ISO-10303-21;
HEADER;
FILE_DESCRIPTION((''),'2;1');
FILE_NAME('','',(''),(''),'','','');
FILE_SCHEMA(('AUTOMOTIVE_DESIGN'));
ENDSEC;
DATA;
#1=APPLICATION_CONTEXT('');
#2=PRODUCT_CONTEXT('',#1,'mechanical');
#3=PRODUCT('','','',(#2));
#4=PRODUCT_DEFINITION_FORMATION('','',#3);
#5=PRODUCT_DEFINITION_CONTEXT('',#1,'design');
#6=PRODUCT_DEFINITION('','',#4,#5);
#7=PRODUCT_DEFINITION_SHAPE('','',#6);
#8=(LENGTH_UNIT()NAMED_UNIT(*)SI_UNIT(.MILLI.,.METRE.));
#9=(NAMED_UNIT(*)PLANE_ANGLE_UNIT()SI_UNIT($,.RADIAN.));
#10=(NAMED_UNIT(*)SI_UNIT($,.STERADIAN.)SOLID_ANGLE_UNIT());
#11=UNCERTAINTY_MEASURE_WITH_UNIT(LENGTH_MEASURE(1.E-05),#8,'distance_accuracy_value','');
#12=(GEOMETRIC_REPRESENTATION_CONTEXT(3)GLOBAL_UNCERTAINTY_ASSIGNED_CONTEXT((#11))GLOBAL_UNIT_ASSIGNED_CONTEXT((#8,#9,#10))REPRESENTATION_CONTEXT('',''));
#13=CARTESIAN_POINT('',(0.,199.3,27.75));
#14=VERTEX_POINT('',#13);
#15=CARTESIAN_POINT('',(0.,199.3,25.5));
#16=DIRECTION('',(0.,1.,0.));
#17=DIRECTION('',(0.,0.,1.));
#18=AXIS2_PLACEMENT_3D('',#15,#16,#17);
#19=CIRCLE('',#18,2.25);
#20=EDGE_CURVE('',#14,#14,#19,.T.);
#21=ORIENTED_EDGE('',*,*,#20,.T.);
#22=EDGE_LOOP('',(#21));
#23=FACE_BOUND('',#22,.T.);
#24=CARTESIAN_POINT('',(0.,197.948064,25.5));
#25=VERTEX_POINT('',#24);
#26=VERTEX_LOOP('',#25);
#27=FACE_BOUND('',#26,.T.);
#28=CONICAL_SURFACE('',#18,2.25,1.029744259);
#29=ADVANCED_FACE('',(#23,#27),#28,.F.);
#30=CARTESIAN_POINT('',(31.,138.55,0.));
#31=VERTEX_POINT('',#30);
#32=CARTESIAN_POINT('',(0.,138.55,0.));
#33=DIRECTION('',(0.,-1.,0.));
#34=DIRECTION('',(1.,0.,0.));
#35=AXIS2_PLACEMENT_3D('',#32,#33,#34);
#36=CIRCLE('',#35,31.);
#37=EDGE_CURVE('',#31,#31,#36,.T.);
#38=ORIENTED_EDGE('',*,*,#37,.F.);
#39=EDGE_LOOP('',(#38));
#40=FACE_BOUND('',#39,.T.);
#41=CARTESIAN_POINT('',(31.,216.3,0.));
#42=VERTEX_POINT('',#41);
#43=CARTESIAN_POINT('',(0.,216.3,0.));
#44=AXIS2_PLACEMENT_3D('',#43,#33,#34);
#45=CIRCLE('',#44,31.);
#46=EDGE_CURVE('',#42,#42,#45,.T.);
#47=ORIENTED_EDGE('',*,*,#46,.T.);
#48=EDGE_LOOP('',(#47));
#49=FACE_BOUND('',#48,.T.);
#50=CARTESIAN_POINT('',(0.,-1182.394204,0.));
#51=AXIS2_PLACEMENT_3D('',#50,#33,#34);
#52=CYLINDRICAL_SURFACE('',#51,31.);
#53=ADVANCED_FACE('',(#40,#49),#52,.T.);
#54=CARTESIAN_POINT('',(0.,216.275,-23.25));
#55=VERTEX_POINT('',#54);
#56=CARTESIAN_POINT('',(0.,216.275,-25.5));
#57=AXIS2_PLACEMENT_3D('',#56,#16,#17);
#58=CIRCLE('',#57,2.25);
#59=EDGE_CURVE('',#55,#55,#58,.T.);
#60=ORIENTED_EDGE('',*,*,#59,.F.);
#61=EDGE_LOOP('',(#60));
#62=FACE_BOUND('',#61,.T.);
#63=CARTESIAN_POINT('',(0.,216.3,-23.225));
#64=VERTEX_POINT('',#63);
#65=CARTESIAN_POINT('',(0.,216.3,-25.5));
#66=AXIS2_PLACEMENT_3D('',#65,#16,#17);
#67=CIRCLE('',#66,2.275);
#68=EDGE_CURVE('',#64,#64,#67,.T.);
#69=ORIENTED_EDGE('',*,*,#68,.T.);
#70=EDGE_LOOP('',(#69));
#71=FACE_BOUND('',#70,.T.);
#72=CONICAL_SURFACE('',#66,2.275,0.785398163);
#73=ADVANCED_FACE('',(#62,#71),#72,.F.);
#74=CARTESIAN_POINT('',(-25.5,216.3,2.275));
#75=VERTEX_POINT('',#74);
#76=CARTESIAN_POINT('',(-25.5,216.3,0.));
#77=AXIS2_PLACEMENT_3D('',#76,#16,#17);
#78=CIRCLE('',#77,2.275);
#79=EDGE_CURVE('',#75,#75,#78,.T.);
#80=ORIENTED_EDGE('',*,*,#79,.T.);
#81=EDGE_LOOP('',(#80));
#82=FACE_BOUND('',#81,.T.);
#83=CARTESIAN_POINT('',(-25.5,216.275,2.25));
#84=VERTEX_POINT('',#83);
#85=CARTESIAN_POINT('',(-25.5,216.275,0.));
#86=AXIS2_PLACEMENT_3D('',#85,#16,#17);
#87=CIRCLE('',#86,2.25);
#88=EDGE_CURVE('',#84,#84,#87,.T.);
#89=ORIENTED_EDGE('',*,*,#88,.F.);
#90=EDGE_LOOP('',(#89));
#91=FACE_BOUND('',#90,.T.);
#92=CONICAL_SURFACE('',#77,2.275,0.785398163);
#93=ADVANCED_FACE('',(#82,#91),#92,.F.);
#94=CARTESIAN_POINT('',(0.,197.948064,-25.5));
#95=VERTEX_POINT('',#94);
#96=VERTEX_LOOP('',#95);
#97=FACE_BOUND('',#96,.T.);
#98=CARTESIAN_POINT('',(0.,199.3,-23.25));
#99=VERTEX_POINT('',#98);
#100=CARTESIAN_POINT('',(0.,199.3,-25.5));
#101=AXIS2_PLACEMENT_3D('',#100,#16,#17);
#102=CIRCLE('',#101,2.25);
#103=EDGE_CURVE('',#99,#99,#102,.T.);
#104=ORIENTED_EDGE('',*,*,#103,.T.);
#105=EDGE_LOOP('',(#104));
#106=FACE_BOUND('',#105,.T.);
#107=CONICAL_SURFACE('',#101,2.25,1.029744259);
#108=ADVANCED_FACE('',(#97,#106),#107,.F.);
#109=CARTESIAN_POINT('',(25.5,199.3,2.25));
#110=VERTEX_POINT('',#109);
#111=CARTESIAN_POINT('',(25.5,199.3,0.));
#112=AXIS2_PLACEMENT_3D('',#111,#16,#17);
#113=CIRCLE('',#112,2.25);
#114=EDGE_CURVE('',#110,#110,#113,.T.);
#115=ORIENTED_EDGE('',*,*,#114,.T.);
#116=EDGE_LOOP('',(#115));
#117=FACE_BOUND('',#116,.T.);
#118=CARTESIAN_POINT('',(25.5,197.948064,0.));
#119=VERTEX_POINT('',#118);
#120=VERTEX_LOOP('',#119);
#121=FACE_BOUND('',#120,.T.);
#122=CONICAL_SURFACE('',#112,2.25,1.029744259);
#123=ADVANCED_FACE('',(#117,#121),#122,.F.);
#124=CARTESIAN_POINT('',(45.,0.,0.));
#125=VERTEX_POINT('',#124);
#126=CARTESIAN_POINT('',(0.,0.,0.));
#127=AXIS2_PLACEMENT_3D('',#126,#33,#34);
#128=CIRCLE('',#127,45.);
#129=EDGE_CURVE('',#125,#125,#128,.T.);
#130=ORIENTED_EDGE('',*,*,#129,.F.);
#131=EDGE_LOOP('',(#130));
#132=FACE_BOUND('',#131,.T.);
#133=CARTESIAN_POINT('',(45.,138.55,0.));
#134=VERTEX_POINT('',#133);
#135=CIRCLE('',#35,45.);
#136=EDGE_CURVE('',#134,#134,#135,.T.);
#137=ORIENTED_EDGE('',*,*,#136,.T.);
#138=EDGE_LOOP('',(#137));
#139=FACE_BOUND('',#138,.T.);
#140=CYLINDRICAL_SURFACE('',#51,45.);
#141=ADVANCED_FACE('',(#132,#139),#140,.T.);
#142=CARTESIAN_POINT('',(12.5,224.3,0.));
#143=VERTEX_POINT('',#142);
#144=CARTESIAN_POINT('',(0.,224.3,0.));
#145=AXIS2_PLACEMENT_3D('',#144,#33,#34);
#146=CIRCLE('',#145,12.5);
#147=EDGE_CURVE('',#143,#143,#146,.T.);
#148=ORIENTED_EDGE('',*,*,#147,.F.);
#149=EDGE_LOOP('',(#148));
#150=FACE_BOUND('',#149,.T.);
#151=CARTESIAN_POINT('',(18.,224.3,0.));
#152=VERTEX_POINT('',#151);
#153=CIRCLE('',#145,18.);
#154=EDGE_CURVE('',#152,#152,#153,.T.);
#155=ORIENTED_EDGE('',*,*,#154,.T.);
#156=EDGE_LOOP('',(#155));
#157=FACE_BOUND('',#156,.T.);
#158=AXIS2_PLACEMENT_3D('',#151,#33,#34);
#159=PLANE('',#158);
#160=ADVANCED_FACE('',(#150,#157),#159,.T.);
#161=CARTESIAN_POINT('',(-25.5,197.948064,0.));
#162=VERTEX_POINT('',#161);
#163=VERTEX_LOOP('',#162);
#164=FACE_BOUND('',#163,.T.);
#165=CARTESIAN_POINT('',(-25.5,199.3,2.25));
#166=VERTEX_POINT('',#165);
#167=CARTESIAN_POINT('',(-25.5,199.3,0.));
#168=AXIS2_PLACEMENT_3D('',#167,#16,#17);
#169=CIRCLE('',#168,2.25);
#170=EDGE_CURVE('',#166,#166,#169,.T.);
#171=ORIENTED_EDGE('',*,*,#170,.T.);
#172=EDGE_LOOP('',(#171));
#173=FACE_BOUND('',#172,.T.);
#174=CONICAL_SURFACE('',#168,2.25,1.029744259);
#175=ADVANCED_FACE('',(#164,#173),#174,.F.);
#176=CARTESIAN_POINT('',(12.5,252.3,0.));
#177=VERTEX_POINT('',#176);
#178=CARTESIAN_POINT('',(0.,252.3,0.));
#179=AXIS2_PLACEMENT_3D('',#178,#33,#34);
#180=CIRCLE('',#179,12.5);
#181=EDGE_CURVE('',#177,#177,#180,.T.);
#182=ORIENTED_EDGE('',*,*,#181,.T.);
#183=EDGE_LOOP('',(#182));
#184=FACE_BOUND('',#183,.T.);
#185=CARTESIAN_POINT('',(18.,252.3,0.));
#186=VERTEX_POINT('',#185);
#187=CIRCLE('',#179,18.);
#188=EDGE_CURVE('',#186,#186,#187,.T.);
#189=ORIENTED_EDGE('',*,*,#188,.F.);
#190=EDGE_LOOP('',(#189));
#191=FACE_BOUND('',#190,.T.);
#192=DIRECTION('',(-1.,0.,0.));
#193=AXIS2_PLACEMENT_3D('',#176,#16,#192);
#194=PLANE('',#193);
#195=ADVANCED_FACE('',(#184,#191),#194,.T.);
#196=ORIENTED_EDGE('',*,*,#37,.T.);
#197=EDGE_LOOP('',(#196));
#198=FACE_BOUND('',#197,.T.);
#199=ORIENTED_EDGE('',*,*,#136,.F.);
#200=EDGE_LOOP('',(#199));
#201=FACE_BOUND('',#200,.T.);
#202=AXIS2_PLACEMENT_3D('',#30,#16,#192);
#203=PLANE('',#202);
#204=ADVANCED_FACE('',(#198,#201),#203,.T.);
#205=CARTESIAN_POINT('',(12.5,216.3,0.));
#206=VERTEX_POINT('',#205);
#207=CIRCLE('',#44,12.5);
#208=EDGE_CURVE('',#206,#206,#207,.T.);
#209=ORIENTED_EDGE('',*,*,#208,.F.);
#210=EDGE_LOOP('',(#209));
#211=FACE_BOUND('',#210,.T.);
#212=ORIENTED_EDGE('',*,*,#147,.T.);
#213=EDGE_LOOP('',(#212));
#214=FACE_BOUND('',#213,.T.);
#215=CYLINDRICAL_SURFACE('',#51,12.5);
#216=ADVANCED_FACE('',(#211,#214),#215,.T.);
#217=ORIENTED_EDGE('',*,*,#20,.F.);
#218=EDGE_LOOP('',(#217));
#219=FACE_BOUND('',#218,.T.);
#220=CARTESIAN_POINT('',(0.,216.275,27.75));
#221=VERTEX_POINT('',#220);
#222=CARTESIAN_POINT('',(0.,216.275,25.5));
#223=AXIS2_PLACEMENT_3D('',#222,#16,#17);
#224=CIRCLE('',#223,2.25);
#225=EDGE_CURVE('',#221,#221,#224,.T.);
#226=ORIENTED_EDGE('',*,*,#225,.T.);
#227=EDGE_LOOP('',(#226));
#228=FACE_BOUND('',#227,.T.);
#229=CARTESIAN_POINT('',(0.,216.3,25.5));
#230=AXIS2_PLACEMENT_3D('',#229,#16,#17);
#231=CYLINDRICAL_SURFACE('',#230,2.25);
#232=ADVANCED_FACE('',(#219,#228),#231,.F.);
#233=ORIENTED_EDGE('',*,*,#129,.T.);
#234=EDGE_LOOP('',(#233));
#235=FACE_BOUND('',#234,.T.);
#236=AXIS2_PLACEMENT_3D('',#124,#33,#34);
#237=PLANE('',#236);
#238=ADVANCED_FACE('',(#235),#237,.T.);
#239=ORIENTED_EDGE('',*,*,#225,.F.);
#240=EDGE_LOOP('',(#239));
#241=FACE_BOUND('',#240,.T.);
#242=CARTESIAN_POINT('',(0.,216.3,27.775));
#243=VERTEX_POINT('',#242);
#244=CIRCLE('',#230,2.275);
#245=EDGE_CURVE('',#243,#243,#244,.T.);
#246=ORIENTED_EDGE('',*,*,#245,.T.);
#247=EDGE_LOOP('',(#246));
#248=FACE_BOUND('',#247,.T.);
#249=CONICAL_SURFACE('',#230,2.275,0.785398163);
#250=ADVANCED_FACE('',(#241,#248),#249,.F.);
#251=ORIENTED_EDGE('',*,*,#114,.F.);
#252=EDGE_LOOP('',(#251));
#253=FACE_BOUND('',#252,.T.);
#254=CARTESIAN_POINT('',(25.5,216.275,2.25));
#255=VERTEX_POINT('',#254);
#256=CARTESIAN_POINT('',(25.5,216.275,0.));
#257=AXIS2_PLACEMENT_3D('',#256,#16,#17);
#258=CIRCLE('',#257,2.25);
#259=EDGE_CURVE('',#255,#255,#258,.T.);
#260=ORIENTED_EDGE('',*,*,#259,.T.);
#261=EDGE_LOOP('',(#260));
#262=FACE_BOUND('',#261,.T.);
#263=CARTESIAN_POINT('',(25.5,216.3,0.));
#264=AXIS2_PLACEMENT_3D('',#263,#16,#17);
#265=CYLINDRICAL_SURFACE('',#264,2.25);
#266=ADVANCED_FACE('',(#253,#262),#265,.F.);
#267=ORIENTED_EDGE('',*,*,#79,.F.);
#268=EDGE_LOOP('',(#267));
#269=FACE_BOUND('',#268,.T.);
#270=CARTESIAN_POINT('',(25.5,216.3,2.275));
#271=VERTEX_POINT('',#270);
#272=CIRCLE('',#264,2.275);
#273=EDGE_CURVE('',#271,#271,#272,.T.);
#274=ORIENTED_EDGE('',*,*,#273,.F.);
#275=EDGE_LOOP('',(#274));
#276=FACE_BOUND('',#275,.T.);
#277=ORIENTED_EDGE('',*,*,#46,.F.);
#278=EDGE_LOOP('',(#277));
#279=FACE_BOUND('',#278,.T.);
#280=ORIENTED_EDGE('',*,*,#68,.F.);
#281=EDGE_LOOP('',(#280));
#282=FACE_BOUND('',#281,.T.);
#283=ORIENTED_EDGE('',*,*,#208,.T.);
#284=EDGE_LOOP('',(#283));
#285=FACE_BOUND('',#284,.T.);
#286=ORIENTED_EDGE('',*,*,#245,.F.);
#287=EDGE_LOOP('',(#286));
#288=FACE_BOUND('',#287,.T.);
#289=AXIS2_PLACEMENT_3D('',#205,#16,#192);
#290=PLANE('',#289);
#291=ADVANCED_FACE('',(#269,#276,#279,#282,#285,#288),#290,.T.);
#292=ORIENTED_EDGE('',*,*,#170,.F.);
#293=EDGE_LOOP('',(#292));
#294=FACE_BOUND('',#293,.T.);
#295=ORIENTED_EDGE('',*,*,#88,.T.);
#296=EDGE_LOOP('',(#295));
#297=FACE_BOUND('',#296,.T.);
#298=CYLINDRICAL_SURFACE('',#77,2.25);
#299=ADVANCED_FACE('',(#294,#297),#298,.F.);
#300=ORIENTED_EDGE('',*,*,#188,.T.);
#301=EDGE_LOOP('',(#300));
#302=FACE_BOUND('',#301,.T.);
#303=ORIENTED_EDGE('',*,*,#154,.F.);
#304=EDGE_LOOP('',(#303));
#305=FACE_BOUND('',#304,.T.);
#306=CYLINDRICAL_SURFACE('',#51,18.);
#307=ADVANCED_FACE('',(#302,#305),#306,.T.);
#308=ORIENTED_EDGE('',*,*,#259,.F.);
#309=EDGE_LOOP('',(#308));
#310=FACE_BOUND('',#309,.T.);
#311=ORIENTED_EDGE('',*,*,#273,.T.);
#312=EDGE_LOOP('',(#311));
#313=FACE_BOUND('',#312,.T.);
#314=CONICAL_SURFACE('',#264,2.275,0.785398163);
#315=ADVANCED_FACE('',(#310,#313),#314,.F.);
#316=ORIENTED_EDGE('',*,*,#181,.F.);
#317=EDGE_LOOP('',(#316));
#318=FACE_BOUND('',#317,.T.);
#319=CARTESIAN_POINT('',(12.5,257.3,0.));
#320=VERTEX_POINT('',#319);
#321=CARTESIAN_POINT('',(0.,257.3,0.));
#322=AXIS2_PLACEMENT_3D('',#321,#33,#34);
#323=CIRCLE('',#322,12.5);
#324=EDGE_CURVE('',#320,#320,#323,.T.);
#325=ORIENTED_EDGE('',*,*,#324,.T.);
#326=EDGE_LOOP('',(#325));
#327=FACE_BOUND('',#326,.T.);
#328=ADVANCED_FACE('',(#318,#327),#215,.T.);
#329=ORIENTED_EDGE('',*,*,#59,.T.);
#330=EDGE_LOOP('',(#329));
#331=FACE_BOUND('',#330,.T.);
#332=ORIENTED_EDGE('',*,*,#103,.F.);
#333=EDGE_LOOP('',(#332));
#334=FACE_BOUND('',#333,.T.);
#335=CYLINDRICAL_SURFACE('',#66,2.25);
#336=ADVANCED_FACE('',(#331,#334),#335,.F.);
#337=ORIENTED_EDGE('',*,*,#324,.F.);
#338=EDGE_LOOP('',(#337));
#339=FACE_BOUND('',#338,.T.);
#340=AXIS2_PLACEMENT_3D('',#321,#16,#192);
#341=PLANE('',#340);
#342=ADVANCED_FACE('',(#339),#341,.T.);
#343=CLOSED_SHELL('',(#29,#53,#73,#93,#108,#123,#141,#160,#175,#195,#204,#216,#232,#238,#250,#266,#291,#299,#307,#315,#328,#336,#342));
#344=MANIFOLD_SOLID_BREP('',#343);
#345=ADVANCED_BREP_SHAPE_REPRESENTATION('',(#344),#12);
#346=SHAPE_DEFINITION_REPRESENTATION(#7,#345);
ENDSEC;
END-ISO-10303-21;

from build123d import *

# Parameters (mm, degrees)
FORO_PER_VITE_M4_1_D           = 4.5
FORO_PER_VITE_M4_1_DEPTH       = 17
FORO_PER_VITE_M4_1_CSINK_D     = 4.55
FORO_PER_VITE_M4_1_CSINK_ANGLE = 90
FORO_PER_VITE_M4_1_TIP         = 1.351936393


with BuildPart() as part:
    # Schizzo2 → Rivoluzione1 (revolve)
    with BuildSketch(Plane.XY):
        Polygon((0, 257.3), (12.5, 257.3), (12.5, 252.3), (18, 252.3), (18, 224.3), (12.5, 224.3), (12.5, 216.3), (31, 216.3), (31, 138.55), (45, 138.55), (45, 0), (0, 0), align=None)
    revolve(axis=Axis((0, -1182.394203663, 0), (0, 1, 0)))

    # Foro per Vite M4-1
    with Locations(Plane(origin=(0, 216.3, 0), x_dir=(1, 0, 0), z_dir=(0, 1, 0))):
        with Locations((0, 25.5), (25.5, 0), (0, -25.5), (-25.5, 0)):
            CounterSinkHole(FORO_PER_VITE_M4_1_D / 2, FORO_PER_VITE_M4_1_CSINK_D / 2, depth=FORO_PER_VITE_M4_1_DEPTH, counter_sink_angle=FORO_PER_VITE_M4_1_CSINK_ANGLE)
            with Locations((0, 0, -(FORO_PER_VITE_M4_1_DEPTH + FORO_PER_VITE_M4_1_TIP / 2))):  # 118° drill point
                Cone(0, FORO_PER_VITE_M4_1_D / 2, FORO_PER_VITE_M4_1_TIP, mode=Mode.SUBTRACT)


solid = part.part
